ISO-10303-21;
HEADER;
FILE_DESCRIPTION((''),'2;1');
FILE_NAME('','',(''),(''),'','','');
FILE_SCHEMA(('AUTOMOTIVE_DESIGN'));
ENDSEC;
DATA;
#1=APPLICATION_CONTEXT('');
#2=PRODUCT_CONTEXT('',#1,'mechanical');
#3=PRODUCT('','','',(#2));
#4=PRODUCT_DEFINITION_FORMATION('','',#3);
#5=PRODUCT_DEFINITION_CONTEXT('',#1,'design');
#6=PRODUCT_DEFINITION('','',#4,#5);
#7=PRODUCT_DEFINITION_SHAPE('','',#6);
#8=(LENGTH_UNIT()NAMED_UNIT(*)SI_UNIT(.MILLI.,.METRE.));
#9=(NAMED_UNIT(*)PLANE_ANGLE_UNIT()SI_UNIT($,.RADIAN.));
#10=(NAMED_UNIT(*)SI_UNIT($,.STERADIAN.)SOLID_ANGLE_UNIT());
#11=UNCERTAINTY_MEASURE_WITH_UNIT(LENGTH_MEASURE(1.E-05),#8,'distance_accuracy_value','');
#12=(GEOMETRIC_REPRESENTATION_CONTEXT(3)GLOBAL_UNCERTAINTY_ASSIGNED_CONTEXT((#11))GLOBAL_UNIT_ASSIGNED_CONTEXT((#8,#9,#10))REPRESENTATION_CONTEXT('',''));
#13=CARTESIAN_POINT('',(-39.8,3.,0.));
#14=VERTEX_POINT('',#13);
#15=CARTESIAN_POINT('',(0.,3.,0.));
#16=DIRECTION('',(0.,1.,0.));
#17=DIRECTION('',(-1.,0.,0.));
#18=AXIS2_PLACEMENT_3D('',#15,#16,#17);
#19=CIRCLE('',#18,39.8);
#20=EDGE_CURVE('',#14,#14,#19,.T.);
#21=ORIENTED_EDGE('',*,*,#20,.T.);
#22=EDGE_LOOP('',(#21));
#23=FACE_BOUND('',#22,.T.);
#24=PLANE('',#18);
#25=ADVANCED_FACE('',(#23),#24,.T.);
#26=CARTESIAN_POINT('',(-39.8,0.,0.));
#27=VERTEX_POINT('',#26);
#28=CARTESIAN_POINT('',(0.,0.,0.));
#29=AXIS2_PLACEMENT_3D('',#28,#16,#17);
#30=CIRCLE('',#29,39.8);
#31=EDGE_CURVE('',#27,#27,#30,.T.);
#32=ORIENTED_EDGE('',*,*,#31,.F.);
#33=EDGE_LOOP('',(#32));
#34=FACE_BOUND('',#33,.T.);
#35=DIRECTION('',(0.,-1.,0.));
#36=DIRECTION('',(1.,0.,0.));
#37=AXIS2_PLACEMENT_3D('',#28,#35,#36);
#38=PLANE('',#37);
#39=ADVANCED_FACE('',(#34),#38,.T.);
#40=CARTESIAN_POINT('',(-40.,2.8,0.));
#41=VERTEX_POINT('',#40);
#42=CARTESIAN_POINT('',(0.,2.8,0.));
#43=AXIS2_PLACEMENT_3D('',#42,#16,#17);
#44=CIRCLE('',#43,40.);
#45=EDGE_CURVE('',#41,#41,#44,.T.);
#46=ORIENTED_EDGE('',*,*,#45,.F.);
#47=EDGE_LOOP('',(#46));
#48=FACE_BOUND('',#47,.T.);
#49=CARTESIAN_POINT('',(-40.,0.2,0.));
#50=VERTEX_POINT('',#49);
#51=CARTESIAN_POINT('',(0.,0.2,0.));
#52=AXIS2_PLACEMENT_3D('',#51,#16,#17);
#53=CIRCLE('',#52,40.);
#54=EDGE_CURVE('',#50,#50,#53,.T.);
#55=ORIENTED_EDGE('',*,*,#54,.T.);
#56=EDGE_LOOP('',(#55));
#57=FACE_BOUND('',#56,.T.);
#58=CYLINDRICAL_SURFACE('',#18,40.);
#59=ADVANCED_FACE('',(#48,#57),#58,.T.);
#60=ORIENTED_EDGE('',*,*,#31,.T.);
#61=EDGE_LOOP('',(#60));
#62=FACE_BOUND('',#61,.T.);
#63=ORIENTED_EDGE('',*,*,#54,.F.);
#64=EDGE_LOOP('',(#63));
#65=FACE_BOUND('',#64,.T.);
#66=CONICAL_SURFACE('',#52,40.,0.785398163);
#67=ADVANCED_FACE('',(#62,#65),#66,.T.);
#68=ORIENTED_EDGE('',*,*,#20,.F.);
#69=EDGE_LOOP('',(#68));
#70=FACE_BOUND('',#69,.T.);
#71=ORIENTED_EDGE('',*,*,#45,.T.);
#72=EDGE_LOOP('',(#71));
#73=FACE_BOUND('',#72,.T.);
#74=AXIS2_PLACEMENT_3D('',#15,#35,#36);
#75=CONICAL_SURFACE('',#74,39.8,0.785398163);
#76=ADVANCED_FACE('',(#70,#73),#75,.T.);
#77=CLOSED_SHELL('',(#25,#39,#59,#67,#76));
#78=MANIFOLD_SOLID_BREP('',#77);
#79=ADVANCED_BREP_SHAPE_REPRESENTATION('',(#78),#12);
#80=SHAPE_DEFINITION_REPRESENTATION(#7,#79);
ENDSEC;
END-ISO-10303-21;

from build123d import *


with BuildPart() as part:
    # Schizzo1 → Rivoluzione1 (revolve)
    with BuildSketch(Plane.XY):
        Polygon((0, 3), (0, 0), (-39.8, 0), (-40, 0.2), (-40, 2.8), (-39.8, 3), align=None)
    revolve(axis=Axis((0, 3, 0), (0, -1, 0)))


solid = part.part
